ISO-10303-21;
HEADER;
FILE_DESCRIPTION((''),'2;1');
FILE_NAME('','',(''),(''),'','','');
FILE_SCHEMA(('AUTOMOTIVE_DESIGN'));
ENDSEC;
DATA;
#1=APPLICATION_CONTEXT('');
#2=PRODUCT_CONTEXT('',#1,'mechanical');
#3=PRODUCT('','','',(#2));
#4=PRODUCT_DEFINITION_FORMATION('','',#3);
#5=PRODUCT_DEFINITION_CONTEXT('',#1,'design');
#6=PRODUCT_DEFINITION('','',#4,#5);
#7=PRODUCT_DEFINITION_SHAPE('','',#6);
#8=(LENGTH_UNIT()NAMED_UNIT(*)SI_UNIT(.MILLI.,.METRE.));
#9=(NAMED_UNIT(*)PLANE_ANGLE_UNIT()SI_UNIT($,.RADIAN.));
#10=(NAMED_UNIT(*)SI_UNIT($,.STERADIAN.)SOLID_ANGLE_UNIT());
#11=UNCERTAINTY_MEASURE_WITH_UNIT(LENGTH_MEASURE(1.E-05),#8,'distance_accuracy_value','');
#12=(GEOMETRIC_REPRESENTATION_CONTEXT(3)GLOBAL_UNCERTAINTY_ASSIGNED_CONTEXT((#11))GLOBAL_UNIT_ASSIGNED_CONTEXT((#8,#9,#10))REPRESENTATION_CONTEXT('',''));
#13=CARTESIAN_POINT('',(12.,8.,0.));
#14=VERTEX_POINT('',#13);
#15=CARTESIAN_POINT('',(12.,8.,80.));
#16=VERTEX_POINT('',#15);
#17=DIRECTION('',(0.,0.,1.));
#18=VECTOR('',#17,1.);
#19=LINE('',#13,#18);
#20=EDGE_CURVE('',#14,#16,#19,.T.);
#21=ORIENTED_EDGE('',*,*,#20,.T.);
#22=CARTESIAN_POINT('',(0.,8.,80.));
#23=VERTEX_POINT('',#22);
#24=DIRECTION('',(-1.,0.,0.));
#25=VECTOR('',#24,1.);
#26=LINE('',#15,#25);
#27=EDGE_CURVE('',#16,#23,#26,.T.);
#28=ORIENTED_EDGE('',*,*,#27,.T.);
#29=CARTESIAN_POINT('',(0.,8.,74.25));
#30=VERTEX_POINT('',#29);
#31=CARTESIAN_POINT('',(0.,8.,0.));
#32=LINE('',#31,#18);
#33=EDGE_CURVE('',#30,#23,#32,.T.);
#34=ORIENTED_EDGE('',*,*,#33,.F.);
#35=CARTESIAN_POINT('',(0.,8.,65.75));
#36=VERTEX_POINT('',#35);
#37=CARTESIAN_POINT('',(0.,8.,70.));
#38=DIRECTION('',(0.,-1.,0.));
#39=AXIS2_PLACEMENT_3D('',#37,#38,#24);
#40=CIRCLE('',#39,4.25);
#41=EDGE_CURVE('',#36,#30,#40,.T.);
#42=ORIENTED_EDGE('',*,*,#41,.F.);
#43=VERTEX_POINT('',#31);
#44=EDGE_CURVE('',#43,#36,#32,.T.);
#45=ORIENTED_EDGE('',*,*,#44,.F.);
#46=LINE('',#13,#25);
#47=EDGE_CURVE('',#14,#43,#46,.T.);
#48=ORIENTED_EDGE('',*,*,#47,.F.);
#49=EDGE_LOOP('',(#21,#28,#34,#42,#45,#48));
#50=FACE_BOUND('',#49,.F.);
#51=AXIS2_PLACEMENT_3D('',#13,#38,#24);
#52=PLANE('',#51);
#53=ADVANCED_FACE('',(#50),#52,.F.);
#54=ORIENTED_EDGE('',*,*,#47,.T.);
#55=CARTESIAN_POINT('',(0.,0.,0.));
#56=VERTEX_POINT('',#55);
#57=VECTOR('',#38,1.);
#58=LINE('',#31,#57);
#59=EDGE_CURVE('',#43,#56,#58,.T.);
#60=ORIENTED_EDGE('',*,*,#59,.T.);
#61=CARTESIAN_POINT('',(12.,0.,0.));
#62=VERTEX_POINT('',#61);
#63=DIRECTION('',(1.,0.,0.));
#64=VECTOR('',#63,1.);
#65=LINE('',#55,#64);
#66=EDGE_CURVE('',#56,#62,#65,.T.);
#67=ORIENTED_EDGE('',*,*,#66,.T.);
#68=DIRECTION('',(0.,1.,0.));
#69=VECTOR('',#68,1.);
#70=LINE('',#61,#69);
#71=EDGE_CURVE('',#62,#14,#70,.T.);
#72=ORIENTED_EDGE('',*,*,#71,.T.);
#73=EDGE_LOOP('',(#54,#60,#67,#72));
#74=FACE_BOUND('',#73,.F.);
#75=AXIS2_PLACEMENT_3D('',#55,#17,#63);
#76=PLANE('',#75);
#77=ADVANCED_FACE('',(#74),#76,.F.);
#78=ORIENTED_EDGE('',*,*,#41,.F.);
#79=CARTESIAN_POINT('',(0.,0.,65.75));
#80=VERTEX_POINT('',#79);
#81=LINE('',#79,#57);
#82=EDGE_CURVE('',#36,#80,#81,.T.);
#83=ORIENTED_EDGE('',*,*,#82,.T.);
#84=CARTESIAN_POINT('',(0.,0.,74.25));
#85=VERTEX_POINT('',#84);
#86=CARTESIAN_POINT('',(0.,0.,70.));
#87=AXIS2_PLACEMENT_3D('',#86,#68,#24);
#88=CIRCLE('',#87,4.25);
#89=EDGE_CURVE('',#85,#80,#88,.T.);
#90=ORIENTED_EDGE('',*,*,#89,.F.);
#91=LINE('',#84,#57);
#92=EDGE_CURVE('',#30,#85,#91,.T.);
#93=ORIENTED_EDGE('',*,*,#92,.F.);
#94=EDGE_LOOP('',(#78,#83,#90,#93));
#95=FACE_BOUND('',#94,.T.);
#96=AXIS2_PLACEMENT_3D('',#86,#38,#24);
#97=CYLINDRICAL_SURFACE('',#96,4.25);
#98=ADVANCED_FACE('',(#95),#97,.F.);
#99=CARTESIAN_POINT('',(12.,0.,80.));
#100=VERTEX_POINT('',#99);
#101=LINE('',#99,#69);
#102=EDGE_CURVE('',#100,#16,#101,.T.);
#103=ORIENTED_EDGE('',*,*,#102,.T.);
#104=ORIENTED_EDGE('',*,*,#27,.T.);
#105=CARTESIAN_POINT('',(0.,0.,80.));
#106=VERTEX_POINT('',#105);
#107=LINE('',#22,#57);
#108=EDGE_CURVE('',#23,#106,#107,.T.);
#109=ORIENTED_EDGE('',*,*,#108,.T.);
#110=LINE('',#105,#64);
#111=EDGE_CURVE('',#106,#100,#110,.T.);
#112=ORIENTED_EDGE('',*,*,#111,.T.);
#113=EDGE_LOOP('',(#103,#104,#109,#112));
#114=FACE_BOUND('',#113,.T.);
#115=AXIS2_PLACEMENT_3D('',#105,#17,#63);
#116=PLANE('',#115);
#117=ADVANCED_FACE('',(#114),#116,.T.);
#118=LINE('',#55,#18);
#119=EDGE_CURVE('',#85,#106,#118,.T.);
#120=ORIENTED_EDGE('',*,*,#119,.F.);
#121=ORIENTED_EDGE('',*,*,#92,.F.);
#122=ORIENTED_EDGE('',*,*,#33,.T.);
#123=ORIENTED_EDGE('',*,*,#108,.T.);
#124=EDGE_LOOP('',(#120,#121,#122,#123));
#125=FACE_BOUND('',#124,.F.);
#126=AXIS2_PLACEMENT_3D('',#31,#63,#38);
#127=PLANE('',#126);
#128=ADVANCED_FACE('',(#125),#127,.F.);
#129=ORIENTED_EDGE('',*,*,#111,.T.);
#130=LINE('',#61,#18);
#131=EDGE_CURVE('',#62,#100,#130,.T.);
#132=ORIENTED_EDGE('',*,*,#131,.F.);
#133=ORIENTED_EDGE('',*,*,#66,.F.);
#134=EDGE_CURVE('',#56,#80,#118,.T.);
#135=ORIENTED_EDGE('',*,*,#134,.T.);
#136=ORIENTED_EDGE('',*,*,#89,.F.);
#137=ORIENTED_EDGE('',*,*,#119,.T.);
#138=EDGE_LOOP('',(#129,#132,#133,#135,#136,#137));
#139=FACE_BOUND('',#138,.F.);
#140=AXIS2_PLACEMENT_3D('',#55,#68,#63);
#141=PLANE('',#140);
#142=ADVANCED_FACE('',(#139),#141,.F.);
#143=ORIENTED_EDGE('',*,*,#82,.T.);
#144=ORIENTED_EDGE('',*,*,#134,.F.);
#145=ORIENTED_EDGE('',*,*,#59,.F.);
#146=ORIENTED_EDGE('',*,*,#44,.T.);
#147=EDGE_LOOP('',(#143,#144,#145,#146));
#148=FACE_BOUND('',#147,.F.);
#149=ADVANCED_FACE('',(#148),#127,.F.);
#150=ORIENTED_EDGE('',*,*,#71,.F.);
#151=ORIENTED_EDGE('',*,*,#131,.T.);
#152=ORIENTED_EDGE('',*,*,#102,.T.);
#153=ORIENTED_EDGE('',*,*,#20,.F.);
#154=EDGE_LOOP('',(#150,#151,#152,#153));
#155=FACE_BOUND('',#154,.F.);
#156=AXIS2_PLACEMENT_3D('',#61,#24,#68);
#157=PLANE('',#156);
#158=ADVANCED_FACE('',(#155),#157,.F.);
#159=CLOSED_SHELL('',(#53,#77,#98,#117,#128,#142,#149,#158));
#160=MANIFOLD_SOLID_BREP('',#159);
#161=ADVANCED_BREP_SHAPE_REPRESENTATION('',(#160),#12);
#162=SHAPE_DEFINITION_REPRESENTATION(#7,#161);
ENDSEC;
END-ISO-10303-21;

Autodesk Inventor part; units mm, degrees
ref_plane "YZ Plane" through (0, 0, 0) normal (1, 0, 0) x (0, 1, 0)
ref_plane "XZ Plane" through (0, 0, 0) normal (0, 1, 0) x (-1, 0, 0)
ref_plane "XY Plane" through (0, 0, 0) normal (0, 0, 1) x (1, 0, 0)
sketch "Skizze1" plane through (0, 0, 0) normal (0, 0, 1) x (1, 0, 0)
  line L0 (0, 0) -> (12, 0)
  line L1 (12, 0) -> (12, 8)
  line L2 (12, 8) -> (0, 8)
  line L3 (0, 8) -> (0, 0)
extrude "Extrusion1" add sketch "Skizze1" along normal blind 80
sketch "Skizze2" plane through (0, 0, 0) normal (0, 1, 0) x (-1, 0, 0)
  circle A0 centre (0, 70) radius 4.25
extrude "Extrusion2" cut sketch "Skizze2" along normal mid plane 20
properties part number "Stuetze"
